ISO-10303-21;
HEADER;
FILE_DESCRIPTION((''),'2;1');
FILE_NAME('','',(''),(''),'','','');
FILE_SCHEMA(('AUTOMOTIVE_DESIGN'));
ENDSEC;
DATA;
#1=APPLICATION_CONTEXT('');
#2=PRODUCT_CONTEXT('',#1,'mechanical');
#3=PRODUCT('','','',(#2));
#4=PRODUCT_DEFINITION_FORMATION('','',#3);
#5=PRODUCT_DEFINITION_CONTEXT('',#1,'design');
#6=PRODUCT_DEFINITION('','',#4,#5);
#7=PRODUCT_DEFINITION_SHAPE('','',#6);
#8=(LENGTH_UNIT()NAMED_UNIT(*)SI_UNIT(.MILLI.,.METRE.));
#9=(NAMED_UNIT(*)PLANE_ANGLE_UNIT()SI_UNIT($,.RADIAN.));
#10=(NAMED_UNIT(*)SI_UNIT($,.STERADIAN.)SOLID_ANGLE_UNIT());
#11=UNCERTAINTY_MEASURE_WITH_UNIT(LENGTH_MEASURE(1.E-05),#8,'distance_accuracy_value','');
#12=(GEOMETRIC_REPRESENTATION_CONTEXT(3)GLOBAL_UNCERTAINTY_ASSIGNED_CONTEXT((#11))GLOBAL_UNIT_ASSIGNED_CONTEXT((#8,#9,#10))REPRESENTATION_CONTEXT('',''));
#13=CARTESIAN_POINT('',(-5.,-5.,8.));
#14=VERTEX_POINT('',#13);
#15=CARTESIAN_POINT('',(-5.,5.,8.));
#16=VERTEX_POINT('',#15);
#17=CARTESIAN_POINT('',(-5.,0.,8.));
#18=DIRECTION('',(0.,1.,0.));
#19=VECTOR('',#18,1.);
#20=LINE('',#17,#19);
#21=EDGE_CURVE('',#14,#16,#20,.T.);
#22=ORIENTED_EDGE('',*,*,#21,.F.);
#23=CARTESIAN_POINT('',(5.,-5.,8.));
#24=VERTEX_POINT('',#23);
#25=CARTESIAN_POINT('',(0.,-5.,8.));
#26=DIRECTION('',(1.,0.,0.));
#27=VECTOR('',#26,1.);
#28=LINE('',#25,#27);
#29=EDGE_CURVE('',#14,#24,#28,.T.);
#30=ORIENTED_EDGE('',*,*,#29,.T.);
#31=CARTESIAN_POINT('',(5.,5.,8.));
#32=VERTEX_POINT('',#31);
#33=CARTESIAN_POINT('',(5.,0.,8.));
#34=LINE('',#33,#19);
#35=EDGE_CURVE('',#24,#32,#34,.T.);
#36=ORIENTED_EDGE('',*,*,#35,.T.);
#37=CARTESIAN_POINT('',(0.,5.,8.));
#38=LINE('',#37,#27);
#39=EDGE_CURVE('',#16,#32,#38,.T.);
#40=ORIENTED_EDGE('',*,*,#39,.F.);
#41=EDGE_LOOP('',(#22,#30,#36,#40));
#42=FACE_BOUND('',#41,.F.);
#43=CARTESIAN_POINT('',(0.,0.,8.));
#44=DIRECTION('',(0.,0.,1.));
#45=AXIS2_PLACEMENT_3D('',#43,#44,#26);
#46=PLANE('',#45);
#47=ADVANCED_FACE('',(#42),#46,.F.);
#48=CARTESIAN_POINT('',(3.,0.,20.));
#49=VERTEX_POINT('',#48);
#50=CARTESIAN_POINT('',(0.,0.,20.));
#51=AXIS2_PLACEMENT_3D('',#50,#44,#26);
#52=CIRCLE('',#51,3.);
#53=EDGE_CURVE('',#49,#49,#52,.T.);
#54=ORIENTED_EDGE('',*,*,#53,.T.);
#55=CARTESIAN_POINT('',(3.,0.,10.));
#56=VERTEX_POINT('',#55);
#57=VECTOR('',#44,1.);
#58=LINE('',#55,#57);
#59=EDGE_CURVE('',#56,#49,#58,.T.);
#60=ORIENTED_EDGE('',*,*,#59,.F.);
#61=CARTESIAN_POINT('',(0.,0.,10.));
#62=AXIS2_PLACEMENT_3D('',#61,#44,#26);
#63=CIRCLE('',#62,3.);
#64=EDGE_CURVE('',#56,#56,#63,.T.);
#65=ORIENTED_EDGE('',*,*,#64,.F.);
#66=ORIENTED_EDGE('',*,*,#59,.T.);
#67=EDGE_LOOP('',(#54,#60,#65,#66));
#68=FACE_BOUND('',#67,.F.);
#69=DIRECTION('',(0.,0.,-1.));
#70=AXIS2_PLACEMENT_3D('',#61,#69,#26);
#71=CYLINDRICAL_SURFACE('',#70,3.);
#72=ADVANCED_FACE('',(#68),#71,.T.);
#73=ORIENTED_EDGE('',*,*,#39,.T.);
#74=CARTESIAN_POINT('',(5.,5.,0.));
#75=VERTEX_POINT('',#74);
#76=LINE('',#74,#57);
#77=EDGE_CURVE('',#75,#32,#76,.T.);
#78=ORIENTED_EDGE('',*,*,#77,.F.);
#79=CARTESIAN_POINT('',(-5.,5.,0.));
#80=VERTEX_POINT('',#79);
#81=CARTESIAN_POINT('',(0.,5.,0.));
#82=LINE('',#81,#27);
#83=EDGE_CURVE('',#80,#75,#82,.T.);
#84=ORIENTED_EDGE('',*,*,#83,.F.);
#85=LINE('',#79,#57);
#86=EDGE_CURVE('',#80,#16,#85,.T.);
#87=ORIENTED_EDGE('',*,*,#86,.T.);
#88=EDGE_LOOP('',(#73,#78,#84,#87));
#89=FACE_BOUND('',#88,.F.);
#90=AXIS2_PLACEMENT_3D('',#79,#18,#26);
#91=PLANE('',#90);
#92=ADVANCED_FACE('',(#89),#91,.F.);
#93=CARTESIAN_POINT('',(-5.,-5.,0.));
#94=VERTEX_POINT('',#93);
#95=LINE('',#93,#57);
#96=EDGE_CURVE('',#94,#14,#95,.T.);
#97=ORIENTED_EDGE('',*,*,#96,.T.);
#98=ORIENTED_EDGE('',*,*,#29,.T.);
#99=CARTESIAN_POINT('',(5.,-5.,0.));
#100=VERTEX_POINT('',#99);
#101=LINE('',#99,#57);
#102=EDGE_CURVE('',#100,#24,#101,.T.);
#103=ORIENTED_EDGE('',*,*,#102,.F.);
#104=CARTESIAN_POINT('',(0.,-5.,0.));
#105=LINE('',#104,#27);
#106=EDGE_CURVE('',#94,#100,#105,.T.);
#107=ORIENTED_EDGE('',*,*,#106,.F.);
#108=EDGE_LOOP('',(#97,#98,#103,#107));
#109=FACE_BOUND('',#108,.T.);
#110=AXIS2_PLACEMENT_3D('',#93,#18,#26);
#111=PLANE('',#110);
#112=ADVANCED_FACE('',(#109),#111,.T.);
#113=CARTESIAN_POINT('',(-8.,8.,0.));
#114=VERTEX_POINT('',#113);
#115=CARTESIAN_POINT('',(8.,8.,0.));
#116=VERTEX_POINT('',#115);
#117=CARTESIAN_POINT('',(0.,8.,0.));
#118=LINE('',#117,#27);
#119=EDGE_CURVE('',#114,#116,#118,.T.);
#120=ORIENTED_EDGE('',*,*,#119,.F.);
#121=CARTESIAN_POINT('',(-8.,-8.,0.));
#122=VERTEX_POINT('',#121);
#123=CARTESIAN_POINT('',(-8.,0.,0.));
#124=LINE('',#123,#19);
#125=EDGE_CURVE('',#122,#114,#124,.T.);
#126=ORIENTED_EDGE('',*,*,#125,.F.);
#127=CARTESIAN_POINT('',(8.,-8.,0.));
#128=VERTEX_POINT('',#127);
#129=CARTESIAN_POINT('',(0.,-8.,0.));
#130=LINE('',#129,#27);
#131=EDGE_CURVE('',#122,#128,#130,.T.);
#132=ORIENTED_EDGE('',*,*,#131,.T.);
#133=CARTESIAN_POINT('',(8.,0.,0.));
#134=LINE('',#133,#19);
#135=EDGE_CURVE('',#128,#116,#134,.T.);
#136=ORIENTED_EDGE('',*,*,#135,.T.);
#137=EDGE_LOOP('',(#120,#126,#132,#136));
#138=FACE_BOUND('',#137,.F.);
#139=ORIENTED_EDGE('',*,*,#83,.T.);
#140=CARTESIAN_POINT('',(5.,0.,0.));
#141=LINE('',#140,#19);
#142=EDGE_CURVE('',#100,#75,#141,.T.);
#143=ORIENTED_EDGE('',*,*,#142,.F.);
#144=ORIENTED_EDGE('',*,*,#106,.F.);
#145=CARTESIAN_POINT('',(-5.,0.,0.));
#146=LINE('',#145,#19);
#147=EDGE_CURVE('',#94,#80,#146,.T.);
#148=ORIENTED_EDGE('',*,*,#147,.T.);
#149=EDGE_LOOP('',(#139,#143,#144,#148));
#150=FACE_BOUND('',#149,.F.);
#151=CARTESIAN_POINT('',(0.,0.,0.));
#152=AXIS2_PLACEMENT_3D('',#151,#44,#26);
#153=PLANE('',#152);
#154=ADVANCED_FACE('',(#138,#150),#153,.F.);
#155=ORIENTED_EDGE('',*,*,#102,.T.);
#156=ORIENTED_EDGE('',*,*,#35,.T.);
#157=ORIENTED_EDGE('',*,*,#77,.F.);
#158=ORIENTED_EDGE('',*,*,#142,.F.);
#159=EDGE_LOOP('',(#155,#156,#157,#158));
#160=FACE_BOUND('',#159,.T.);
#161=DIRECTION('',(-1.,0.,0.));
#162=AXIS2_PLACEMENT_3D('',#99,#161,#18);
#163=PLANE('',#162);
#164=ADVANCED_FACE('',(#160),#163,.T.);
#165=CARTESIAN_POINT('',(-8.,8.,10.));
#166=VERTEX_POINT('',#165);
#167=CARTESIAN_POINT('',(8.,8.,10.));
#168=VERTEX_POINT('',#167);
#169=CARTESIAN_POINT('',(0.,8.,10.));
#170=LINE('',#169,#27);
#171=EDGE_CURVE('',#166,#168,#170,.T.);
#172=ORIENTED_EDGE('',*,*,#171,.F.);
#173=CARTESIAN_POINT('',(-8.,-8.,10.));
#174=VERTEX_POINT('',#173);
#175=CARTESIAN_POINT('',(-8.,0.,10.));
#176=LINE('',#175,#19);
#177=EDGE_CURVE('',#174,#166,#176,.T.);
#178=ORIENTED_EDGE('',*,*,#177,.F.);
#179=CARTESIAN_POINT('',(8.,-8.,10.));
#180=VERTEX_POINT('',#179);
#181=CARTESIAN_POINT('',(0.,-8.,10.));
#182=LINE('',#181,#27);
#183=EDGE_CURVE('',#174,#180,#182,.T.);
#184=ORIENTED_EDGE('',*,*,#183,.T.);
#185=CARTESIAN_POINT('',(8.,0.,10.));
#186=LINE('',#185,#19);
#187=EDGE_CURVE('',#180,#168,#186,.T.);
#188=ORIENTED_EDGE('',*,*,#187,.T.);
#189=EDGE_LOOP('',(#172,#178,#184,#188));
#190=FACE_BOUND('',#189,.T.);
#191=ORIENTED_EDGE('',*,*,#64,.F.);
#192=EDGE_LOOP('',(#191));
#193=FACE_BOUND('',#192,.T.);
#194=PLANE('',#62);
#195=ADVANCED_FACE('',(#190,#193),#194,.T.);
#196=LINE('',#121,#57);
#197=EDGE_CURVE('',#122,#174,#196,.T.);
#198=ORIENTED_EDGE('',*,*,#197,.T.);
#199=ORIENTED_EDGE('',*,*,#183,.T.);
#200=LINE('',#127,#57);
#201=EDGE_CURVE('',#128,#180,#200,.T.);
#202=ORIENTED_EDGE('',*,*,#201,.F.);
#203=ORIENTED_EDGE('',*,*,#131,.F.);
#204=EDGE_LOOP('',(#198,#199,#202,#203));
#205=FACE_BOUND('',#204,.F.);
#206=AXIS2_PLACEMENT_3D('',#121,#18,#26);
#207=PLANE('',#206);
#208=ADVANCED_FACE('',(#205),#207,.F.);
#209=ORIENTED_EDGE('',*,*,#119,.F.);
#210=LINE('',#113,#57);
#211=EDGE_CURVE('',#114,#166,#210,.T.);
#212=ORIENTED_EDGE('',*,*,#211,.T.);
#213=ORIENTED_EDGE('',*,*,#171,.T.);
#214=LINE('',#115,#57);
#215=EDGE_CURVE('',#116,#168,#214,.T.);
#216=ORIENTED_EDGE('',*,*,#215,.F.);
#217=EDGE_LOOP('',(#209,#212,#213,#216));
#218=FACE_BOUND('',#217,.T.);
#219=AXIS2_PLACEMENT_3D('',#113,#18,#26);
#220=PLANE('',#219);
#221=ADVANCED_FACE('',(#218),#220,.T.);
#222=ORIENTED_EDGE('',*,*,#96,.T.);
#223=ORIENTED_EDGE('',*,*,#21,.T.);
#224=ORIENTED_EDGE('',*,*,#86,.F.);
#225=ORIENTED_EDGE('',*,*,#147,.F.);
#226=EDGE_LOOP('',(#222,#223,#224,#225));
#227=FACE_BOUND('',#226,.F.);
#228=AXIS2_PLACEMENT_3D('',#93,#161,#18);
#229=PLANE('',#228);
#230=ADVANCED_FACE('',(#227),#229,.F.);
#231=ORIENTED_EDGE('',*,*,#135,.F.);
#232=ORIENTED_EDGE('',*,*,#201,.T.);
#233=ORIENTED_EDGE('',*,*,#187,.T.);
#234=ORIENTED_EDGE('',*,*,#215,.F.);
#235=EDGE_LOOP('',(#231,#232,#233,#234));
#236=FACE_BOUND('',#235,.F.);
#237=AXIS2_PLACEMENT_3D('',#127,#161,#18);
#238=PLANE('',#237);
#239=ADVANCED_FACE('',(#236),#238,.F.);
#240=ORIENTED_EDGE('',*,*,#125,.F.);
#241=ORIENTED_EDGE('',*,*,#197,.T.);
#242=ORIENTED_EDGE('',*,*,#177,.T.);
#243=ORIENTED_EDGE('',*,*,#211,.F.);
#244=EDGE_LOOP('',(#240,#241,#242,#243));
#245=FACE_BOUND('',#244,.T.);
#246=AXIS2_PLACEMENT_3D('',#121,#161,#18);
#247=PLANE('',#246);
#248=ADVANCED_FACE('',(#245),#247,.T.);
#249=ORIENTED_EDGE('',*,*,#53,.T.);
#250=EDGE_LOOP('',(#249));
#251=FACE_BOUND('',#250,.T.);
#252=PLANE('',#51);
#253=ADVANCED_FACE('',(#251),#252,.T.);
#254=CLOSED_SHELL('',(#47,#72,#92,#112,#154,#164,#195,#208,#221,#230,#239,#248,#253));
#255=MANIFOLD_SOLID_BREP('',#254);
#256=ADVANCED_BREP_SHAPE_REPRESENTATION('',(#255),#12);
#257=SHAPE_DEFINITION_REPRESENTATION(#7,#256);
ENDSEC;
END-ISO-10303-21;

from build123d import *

# Parameters (mm, degrees)
BOX001_W       = 10
BOX001_H       = 10
BOX001_DEPTH   = 8
CYLINDER_R     = 3
CYLINDER_DEPTH = 10
BOX_W          = 16
BOX_H          = 16
BOX_DEPTH      = 10


with BuildPart() as cube001:
    # Box001 → Box001 (new body)
    with BuildSketch(Plane(origin=(-5, -5, 0), x_dir=(1, 0, 0), z_dir=(0, 0, 1))):
        with Locations((5, 5)):
            Rectangle(BOX001_W, BOX001_H)
    extrude(amount=BOX001_DEPTH)


with BuildPart() as cylinder:
    # Cylinder → Cylinder (new body)
    with BuildSketch(Plane.XY.offset(10)):
        Circle(CYLINDER_R)
    extrude(amount=CYLINDER_DEPTH)


with BuildPart() as cut:
    # Box → Box (new body)
    with BuildSketch(Plane(origin=(-8, -8, 0), x_dir=(1, 0, 0), z_dir=(0, 0, 1))):
        with Locations((8, 8)):
            Rectangle(BOX_W, BOX_H)
    extrude(amount=BOX_DEPTH)

    # Fusion: union Cylinder
    add(cylinder.part)

    # Cut: cut Cube001
    add(cube001.part, mode=Mode.SUBTRACT)


solid = cut.part
